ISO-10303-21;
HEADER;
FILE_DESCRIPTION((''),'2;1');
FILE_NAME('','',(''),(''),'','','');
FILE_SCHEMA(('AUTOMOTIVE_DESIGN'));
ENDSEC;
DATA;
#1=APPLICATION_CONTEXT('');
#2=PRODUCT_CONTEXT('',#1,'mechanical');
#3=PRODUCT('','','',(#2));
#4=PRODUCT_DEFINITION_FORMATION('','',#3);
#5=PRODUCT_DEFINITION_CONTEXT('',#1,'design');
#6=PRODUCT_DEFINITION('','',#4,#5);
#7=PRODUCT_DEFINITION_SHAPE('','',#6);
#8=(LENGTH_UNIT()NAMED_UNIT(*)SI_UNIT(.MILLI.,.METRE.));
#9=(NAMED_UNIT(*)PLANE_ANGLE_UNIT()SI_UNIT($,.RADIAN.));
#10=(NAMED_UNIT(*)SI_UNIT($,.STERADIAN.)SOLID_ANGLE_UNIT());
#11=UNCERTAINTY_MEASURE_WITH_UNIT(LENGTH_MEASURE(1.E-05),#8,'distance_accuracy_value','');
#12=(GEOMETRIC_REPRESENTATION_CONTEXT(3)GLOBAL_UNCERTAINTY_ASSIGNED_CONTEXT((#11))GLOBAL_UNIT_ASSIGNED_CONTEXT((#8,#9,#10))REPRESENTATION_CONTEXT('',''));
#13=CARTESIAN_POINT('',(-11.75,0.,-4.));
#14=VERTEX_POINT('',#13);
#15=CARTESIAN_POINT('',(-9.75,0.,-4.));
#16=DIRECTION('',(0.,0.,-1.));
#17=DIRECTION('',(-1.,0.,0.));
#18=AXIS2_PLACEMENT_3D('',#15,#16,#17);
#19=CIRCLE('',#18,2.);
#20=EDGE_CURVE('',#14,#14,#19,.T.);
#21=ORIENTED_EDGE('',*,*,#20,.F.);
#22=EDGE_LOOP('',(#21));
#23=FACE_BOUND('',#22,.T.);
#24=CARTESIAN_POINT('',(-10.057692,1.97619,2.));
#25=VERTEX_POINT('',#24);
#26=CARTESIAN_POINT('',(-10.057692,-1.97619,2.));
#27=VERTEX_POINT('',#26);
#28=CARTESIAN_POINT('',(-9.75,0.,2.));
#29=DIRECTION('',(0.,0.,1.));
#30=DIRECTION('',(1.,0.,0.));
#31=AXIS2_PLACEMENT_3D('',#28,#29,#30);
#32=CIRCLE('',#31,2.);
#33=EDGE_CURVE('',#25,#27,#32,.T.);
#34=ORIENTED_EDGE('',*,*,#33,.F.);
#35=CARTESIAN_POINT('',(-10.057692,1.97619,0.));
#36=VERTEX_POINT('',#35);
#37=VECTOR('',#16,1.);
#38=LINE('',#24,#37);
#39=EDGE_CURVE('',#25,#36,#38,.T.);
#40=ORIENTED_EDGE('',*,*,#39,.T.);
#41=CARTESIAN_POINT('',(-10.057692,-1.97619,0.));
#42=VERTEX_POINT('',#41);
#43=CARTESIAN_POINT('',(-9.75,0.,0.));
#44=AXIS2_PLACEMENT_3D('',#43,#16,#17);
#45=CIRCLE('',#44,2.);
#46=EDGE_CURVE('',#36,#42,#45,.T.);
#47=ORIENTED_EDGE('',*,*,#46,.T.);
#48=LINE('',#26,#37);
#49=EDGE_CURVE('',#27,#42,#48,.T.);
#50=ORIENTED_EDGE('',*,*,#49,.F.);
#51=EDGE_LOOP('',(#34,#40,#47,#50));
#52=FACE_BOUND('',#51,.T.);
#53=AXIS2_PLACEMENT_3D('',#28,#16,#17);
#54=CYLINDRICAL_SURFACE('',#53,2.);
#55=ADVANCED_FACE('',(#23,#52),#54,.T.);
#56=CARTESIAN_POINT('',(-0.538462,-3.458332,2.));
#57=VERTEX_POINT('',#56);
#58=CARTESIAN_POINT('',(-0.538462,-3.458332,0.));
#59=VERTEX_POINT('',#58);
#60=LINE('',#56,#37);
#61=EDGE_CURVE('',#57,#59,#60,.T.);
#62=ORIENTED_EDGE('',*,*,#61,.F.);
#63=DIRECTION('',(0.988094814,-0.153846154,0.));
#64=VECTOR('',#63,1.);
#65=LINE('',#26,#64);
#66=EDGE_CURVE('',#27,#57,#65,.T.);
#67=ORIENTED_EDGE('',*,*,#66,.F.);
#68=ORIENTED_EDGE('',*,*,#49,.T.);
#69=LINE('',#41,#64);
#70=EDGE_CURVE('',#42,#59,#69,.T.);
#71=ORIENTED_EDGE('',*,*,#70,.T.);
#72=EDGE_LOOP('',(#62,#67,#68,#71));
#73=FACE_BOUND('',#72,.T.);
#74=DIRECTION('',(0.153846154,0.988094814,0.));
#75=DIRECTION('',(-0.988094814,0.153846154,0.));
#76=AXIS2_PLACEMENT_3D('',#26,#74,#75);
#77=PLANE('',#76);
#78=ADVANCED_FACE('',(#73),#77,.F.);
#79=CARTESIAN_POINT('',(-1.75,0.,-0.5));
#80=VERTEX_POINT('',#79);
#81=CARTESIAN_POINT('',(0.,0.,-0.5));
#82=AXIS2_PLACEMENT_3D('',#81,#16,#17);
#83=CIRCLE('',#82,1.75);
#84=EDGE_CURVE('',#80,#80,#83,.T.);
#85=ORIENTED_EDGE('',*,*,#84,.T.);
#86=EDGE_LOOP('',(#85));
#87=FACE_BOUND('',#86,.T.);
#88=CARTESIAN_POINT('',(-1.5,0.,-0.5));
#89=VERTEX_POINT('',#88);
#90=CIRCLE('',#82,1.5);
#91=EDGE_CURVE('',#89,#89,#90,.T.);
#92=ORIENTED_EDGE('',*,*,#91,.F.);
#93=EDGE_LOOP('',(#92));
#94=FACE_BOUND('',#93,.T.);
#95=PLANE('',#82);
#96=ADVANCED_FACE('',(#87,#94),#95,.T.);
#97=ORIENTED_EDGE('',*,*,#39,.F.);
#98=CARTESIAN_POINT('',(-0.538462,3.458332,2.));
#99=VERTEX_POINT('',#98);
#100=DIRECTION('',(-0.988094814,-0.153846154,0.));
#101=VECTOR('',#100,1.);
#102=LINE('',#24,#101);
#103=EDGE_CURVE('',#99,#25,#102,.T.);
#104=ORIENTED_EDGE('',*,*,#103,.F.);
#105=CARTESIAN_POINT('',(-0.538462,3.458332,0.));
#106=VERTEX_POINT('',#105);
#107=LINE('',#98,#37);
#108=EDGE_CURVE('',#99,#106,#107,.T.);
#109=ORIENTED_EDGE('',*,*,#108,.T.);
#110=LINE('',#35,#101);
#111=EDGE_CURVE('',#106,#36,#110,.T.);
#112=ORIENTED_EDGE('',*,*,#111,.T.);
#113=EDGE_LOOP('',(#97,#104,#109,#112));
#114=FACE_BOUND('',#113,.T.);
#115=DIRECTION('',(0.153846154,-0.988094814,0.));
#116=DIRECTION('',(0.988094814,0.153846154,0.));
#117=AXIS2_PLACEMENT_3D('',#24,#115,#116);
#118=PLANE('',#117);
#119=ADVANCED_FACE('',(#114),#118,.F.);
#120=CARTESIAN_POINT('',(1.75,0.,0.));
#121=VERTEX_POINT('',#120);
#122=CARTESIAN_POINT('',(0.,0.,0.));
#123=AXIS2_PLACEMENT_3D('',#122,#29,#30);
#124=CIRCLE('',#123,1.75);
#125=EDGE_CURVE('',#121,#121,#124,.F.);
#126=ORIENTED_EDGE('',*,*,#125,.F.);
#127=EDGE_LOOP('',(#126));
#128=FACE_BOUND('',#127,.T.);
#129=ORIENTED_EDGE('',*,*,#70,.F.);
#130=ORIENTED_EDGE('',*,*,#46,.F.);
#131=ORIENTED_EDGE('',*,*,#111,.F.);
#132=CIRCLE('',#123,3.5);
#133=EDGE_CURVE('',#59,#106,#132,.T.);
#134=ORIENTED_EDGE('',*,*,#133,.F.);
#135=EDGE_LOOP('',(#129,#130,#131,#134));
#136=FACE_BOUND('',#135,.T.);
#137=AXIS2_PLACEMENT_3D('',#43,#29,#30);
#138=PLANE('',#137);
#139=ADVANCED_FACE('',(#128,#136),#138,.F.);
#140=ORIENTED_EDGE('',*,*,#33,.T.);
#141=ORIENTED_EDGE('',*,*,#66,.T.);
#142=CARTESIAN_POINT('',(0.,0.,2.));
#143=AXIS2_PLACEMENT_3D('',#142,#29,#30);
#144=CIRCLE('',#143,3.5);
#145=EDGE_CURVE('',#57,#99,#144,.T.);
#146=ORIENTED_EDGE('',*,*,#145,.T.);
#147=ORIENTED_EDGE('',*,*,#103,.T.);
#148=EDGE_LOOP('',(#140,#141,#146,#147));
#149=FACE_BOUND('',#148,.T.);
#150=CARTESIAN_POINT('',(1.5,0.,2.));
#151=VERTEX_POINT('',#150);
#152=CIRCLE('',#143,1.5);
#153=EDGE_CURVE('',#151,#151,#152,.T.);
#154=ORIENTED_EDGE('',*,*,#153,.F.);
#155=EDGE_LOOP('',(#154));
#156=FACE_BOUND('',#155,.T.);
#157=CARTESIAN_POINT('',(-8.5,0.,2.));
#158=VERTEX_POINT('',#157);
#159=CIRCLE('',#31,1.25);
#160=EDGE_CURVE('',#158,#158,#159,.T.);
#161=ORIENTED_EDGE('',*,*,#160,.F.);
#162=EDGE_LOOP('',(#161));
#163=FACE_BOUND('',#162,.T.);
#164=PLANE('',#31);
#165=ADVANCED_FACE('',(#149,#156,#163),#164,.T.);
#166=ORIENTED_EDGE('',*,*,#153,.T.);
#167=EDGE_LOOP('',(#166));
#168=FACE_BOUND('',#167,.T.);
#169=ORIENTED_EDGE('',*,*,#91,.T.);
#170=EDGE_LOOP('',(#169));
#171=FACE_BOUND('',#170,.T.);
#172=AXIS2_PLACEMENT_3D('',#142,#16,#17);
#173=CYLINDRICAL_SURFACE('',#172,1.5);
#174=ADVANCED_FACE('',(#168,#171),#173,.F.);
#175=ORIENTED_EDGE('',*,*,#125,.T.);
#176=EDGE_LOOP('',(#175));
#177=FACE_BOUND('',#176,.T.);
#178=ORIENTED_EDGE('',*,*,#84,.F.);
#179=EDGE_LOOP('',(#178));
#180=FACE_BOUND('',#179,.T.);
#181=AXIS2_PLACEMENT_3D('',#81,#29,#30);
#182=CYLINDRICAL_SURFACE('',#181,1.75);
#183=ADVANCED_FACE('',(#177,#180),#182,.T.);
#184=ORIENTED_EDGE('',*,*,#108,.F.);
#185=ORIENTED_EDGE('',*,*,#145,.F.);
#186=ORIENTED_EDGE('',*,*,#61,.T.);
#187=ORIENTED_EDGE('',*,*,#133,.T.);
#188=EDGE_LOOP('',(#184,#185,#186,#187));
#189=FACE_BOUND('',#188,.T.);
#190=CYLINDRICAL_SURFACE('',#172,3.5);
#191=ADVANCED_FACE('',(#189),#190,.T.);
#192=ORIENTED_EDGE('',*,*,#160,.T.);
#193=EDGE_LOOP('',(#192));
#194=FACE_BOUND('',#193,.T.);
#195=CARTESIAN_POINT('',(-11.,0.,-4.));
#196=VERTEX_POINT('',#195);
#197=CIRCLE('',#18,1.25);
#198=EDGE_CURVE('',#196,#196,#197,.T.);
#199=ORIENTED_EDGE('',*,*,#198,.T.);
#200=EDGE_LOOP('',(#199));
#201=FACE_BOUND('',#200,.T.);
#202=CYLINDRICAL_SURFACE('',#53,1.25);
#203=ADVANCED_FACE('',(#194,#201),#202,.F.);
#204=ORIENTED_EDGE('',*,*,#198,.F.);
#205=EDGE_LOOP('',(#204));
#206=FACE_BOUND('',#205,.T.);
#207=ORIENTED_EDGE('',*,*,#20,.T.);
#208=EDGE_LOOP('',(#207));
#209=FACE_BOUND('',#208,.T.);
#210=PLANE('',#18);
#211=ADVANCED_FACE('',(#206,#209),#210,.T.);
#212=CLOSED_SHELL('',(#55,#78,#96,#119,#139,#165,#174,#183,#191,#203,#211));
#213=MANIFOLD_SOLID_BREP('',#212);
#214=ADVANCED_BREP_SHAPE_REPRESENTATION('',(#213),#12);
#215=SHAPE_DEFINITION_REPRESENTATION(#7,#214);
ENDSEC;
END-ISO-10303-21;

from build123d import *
from build123d.topology import SkipClean

# Parameters (mm, degrees)
ESQUISSE1_R        = 1.5
ESQUISSE1_R_2      = 1.25
BOSS_EXTRU_1_DEPTH = 2
BOSS_EXTRU_2_START = 4
ESQUISSE2_R        = 2
ESQUISSE2_R_2      = 1.25
BOSS_EXTRU_2_DEPTH = 4
BOSS_EXTRU_3_START = 0.5
ESQUISSE3_R        = 1.75
ESQUISSE3_R_2      = 1.5
BOSS_EXTRU_3_DEPTH = 0.5


with BuildPart() as part:
    # Esquisse1 → Boss.-Extru.1 (new body)
    with BuildSketch(Plane.XY):
        with BuildLine():
            Line((-10.057692308, 1.976189627), (-0.538461538, 3.458331848))
            ThreePointArc((-0.538461538, 3.458331848), (3.5, 0), (-0.538461538, -3.458331848))
            Line((-0.538461538, -3.458331848), (-10.057692308, -1.976189627))
            ThreePointArc((-10.057692308, -1.976189627), (-11.75, 0), (-10.057692308, 1.976189627))
        make_face()
        Circle(ESQUISSE1_R, mode=Mode.SUBTRACT)
        with Locations((-9.75, 0)):
            Circle(ESQUISSE1_R_2, mode=Mode.SUBTRACT)
    extrude(amount=BOSS_EXTRU_1_DEPTH)

    # Esquisse2 → Boss.-Extru.2 (add)
    with SkipClean():  # the faces are left unmerged after this step: merging them gives an invalid solid
        with BuildSketch(Plane(origin=(0, 0, 0), x_dir=(-1, 0, 0), z_dir=(0, 0, -1)).offset(BOSS_EXTRU_2_START)):
            with Locations((9.75, 0)):
                Circle(ESQUISSE2_R)
            with Locations((9.75, 0)):
                Circle(ESQUISSE2_R_2, mode=Mode.SUBTRACT)
        extrude(amount=-BOSS_EXTRU_2_DEPTH)

    # Esquisse3 → Boss.-Extru.3 (add)
    with SkipClean():  # the faces are left unmerged after this step: merging them gives an invalid solid
        with BuildSketch(Plane(origin=(0, 0, 0), x_dir=(-1, 0, 0), z_dir=(0, 0, -1)).offset(BOSS_EXTRU_3_START)):
            with Locations(Location((0, 0, 0), (0, 0, 180))):
                Circle(ESQUISSE3_R)
            Circle(ESQUISSE3_R_2, mode=Mode.SUBTRACT)
        extrude(amount=-BOSS_EXTRU_3_DEPTH)


solid = part.part
